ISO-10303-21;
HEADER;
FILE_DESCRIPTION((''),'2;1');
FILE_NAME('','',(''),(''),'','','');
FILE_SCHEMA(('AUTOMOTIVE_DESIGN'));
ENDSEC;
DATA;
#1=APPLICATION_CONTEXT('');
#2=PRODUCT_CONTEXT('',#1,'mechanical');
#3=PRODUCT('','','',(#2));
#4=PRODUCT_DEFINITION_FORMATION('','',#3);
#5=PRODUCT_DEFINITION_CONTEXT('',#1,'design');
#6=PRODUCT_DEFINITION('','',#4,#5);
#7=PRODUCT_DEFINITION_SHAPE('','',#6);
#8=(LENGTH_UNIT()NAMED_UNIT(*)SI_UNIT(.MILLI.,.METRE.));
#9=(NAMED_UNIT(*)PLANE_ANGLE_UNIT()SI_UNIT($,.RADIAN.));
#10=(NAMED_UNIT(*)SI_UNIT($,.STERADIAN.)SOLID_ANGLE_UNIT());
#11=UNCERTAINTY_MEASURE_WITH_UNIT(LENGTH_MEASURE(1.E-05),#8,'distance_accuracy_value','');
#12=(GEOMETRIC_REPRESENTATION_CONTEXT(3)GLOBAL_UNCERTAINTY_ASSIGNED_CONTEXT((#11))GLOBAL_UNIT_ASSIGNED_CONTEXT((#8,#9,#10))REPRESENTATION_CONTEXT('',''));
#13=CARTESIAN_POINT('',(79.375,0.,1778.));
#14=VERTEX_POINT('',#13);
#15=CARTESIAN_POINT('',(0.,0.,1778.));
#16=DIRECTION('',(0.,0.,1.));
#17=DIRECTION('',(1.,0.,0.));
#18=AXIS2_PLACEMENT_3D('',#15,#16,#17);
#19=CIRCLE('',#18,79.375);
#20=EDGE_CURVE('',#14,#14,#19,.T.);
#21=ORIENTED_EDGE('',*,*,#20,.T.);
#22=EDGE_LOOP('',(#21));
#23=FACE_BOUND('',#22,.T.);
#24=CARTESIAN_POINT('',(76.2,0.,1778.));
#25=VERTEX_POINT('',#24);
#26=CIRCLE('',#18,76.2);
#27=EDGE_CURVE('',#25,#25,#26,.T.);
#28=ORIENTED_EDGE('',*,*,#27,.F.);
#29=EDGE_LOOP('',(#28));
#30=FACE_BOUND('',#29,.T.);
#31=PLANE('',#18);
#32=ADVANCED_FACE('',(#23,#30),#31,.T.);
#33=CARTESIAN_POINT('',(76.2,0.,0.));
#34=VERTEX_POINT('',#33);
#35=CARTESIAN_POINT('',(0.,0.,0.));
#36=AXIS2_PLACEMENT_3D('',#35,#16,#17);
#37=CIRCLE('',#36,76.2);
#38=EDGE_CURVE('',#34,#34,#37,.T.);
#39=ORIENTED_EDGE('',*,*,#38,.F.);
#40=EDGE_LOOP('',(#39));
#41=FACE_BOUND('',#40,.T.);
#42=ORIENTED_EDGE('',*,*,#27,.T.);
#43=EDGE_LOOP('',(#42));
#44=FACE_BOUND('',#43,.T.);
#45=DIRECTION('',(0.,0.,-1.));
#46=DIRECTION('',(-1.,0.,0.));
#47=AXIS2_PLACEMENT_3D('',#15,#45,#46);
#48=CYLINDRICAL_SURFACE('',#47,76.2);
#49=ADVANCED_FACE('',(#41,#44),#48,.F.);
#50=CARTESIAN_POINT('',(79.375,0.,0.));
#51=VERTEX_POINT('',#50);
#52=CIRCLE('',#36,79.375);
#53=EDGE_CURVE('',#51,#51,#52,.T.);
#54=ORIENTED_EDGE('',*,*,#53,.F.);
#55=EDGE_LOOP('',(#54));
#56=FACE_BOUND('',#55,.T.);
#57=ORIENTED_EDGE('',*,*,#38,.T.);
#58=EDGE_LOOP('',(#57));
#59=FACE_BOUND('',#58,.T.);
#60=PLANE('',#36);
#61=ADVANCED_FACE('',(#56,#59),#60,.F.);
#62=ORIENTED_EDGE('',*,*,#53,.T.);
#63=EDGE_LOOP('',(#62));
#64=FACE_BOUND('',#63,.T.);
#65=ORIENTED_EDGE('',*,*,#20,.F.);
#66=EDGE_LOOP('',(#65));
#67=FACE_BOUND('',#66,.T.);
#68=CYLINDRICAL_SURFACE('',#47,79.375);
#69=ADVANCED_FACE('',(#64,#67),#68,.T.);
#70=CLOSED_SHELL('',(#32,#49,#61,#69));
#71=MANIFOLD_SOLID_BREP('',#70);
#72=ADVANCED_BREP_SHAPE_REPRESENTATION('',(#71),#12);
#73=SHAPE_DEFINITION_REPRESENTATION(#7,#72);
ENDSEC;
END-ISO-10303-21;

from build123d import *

# Parameters (mm, degrees)
SKETCH1_R           = 79.375
SKETCH1_R_2         = 76.2
BOSS_EXTRUDE1_DEPTH = 1778


with BuildPart() as part:
    # Sketch1 → Boss-Extrude1 (new body)
    with BuildSketch(Plane.XY):
        Circle(SKETCH1_R)
        Circle(SKETCH1_R_2, mode=Mode.SUBTRACT)
    extrude(amount=BOSS_EXTRUDE1_DEPTH)


solid = part.part
